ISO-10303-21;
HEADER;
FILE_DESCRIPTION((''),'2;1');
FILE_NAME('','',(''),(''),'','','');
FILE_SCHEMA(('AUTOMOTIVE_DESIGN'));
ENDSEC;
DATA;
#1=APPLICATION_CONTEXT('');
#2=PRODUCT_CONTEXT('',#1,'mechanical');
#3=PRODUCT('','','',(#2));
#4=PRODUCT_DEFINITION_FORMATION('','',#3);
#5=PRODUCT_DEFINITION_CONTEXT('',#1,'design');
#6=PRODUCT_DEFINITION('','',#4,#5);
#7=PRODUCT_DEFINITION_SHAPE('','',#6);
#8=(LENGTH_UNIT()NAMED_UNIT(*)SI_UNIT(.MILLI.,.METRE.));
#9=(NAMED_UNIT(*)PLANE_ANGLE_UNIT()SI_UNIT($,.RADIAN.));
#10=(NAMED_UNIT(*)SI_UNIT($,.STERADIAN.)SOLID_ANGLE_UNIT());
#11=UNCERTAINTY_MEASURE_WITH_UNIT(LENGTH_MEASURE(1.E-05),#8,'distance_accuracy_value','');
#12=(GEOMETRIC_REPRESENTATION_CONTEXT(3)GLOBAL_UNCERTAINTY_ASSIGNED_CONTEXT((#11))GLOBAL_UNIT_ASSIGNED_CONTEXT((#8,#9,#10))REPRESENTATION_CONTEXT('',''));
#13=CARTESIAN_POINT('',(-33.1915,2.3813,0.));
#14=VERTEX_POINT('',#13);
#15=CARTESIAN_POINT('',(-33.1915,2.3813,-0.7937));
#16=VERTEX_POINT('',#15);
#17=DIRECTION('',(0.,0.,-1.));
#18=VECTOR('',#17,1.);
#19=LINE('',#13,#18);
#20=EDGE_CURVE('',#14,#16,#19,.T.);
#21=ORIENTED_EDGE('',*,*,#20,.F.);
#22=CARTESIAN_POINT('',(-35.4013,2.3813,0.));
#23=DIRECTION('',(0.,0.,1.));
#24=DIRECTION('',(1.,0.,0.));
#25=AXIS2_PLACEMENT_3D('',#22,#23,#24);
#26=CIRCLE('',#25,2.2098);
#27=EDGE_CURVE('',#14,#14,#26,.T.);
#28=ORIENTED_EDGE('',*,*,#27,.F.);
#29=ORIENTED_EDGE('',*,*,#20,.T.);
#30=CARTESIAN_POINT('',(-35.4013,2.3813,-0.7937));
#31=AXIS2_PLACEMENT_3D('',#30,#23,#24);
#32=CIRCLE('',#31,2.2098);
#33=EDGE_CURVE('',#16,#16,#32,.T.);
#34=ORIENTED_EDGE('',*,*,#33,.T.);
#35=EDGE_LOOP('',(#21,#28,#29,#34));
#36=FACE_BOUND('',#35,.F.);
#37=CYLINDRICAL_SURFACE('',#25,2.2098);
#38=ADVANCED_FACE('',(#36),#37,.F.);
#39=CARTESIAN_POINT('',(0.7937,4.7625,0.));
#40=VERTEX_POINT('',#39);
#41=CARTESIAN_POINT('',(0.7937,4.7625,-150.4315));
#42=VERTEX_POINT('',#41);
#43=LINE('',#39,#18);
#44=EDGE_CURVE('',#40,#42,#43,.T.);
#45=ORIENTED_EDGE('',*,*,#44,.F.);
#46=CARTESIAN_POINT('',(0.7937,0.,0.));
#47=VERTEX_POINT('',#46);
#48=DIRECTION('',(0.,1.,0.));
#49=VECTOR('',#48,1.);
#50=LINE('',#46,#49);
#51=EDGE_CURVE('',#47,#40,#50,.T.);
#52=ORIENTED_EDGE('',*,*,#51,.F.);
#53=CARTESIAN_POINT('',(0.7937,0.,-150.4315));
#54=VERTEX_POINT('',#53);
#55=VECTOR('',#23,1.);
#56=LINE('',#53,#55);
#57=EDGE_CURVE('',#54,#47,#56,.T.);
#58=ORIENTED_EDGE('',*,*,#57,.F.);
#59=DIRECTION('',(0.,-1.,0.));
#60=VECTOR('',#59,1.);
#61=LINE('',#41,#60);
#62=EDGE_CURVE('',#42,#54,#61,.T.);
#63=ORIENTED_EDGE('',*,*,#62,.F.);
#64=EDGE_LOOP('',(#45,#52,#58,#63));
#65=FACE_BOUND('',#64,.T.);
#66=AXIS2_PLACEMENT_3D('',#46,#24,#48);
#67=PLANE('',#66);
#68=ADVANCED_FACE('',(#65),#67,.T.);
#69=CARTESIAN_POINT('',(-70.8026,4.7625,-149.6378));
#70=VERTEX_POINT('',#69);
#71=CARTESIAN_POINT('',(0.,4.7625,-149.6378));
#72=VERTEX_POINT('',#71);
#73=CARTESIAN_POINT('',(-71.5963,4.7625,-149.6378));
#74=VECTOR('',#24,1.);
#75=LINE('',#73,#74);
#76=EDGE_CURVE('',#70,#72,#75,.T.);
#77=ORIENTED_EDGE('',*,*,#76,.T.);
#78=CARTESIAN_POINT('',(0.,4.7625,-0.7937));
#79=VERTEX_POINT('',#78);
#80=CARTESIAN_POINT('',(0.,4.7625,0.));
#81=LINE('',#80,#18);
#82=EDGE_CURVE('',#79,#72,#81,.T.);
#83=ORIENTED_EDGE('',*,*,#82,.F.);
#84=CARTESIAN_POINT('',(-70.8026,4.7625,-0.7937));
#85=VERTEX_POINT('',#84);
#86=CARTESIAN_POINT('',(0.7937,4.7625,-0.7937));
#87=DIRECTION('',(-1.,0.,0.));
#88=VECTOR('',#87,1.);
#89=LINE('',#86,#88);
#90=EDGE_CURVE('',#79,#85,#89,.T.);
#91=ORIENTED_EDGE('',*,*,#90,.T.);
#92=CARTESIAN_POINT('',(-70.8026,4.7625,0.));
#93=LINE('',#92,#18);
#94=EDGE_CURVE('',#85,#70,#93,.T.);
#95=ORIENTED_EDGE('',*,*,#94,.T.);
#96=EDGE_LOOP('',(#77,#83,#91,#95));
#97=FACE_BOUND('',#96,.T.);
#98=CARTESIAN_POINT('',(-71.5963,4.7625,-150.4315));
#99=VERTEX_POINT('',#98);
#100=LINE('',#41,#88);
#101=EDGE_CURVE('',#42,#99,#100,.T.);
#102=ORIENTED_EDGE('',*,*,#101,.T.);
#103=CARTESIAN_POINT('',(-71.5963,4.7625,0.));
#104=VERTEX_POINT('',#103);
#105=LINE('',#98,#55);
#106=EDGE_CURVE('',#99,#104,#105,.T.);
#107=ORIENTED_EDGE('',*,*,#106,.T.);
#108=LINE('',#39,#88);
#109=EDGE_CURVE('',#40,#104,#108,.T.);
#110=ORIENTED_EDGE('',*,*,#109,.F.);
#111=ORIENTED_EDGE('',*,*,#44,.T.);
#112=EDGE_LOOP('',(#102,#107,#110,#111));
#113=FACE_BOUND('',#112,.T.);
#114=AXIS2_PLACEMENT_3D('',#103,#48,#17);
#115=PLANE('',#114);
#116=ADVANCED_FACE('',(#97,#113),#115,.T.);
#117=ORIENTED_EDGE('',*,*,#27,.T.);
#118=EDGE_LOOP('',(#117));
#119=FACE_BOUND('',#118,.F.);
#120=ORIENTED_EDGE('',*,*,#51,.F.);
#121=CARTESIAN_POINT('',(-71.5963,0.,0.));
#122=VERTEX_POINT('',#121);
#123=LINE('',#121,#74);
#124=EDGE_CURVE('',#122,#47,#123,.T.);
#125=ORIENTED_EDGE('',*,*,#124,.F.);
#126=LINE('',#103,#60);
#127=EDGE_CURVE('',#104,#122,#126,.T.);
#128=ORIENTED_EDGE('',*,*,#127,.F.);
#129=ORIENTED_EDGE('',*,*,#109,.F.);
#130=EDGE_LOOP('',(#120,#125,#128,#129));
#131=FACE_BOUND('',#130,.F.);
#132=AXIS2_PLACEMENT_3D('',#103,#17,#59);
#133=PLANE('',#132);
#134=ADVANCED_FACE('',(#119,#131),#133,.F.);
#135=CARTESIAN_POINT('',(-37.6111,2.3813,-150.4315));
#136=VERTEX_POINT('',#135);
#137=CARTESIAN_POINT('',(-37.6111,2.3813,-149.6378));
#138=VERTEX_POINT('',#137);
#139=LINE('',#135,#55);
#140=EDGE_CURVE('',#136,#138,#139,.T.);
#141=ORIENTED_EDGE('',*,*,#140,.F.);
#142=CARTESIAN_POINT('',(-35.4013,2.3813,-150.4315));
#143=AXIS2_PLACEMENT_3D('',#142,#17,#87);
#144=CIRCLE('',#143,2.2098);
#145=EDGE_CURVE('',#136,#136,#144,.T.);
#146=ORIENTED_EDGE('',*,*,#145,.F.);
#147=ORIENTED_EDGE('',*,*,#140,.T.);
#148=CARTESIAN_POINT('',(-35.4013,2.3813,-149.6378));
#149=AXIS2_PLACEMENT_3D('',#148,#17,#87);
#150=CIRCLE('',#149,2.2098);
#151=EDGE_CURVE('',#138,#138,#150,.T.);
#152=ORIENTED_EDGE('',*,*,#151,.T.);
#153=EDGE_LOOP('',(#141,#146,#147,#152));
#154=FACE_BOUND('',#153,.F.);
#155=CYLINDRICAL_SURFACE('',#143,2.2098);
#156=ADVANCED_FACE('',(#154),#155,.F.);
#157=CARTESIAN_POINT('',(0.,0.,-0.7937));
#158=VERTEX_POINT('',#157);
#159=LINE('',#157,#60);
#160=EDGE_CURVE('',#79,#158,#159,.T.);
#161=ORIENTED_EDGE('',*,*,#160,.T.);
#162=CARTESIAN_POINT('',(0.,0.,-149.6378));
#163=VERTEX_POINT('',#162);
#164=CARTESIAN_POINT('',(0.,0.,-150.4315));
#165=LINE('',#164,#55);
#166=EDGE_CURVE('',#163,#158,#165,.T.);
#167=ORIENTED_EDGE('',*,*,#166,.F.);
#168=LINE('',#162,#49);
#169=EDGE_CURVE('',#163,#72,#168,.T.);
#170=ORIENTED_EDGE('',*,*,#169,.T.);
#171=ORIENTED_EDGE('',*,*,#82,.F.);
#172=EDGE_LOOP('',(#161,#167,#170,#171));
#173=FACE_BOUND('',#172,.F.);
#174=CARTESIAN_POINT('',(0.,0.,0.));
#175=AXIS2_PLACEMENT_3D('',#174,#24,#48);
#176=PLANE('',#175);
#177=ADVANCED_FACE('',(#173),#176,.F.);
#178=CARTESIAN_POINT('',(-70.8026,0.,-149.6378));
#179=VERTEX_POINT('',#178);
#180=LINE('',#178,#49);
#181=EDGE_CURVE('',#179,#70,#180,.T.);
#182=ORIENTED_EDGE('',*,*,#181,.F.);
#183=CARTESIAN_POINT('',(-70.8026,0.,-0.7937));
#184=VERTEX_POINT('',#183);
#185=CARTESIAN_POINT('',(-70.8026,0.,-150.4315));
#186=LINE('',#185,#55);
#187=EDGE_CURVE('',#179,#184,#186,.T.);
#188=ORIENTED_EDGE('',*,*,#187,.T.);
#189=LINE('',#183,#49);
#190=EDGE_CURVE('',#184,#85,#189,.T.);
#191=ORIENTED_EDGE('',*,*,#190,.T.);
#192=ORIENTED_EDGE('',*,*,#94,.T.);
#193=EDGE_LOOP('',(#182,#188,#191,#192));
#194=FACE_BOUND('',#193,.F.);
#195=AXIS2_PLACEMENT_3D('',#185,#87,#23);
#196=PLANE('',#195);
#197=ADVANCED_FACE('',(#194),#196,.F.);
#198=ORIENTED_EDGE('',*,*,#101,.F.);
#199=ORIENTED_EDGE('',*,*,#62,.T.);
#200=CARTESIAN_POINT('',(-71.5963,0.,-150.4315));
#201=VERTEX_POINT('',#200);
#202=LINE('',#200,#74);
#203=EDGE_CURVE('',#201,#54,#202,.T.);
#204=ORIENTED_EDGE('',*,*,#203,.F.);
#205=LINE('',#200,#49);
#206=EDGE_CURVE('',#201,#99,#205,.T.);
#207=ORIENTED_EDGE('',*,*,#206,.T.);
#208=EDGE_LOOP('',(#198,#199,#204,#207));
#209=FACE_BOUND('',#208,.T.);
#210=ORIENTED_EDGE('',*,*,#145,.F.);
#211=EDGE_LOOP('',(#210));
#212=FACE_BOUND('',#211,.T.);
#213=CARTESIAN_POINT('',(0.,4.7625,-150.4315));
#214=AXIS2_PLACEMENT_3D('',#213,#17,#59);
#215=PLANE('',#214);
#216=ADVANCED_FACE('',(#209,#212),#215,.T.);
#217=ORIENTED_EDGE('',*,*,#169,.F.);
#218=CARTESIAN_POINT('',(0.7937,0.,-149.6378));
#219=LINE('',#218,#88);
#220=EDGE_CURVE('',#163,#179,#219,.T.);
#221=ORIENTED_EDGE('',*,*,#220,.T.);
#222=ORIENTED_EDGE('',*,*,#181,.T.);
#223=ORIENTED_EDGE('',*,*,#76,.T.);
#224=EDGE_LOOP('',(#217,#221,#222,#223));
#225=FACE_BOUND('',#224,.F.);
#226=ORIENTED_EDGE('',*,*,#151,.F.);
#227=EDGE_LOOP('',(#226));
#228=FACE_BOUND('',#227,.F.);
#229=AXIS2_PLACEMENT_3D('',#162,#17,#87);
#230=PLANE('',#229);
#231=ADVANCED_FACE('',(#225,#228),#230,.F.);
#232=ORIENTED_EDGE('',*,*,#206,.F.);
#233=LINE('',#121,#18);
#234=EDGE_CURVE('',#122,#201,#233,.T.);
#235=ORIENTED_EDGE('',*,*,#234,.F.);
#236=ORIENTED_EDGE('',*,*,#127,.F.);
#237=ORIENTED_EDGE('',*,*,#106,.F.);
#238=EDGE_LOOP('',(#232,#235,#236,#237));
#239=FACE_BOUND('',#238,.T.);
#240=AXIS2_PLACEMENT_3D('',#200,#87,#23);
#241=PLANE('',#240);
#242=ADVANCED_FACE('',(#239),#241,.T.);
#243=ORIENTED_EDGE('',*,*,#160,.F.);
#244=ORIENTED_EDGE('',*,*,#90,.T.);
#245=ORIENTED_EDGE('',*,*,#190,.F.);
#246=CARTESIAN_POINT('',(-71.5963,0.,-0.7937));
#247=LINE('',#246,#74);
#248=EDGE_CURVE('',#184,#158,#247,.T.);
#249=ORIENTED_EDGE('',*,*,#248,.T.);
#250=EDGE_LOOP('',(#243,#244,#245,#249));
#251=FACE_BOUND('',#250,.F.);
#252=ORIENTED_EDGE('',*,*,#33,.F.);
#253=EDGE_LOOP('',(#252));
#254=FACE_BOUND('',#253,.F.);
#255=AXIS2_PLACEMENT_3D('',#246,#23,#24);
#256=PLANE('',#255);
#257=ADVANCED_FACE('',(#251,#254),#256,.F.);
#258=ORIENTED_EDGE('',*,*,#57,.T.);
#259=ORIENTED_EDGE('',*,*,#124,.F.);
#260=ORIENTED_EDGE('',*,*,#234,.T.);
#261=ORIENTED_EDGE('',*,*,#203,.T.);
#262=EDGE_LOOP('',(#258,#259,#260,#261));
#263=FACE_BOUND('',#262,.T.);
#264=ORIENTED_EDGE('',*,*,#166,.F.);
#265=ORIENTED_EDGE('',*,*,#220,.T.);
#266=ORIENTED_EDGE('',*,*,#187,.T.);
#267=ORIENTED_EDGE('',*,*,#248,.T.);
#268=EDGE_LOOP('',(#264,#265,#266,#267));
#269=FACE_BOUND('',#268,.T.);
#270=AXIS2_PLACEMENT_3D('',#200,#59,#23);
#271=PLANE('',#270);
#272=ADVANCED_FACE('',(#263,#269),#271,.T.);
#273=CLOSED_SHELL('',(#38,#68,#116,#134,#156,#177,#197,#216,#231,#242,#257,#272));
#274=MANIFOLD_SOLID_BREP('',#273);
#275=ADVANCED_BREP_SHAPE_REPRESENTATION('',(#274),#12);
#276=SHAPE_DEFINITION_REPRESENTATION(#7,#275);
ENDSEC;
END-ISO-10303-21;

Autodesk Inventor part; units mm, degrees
ref_plane "YZ Plane" through (0, 0, 0) normal (1, 0, 0) x (0, 1, 0)
ref_plane "XZ Plane" through (0, 0, 0) normal (0, 1, 0) x (-1, 0, 0)
ref_plane "XY Plane" through (0, 0, 0) normal (0, 0, 1) x (1, 0, 0)
sketch "Sketch1" plane through (0, 0, 0) normal (1, 0, 0) x (0, 1, 0)
  line L0 (0, 0) -> (4.7625, 0)
  line L1 (4.7625, 0) -> (4.7625, -150.4315)
  line L2 (4.7625, -150.4315) -> (0, -150.4315)
  line L3 (0, -150.4315) -> (0, 0)
  dimension "d1" = 4.7625
  dimension "d2" = 150.4315
extrude "Extrusion1" add sketch "Sketch1" along normal blind 0.7937
sketch "Sketch2" plane through (0, 0, -150.4315) normal (0, 0, -1) x (-1, 0, 0)
  line L0 (-0.7937, 0) -> (-0.7937, 4.7625) projected
  line L1 (-0.7937, 0) -> (71.5963, 0)
  line L2 (71.5963, 0) -> (71.5963, 4.7625)
  line L3 (71.5963, 4.7625) -> (-0.7937, 4.7625)
  line L4 (-0.7937, 4.7625) -> (-0.7937, 0)
  point P0 (0, 0)
  dimension "d5" = 72.39
  dimension "d6" = 4.7625
extrude "Extrusion2" add sketch "Sketch2" against normal blind 0.7937
sketch "Sketch3" plane through (-71.5963, 0, -150.4315) normal (-1, 0, 0) x (0, 0, 1)
  line L0 (150.4315, 4.7625) -> (150.4315, 0) projected
  line L1 (0, 0) -> (150.4315, 0)
  line L2 (150.4315, 0) -> (150.4315, 4.7625)
  line L3 (150.4315, 4.7625) -> (0, 4.7625)
  line L4 (0, 4.7625) -> (0, 0)
extrude "Extrusion3" add sketch "Sketch3" against normal blind 0.7937
sketch "Sketch4" plane through (-71.5963, 0, 0) normal (0, 0, 1) x (1, 0, 0)
  line L0 (0, 0) -> (0, 4.7625) projected
  line L1 (71.5963, 4.7625) -> (72.39, 4.7625) projected
  line L2 (0, 0) -> (72.39, 0)
  line L3 (72.39, 0) -> (72.39, 4.7625)
  line L4 (72.39, 4.7625) -> (0, 4.7625)
  line L5 (0, 4.7625) -> (0, 0)
  point P0 (71.5963, 0)
  point P1 (71.5963, 4.7625)
extrude "Extrusion4" add sketch "Sketch4" against normal blind 0.7937
sketch "Sketch5" plane through (0.7937, 0, 0) normal (0, 0, 1) x (1, 0, 0)
  circle A0 centre (-36.195, 2.3813) radius 2.2098
extrude "Extrusion5" cut sketch "Sketch5" against normal blind 0.7937
sketch "Sketch6" plane through (0.7937, 0, -150.4315) normal (0, 0, -1) x (-1, 0, 0)
  circle A0 centre (36.195, 2.3813) radius 2.2098
  point P0 (0, 0)
  point P1 (72.39, 0)
extrude "Extrusion6" cut sketch "Sketch6" against normal blind 0.7937
properties part number "Back rubber bands"
